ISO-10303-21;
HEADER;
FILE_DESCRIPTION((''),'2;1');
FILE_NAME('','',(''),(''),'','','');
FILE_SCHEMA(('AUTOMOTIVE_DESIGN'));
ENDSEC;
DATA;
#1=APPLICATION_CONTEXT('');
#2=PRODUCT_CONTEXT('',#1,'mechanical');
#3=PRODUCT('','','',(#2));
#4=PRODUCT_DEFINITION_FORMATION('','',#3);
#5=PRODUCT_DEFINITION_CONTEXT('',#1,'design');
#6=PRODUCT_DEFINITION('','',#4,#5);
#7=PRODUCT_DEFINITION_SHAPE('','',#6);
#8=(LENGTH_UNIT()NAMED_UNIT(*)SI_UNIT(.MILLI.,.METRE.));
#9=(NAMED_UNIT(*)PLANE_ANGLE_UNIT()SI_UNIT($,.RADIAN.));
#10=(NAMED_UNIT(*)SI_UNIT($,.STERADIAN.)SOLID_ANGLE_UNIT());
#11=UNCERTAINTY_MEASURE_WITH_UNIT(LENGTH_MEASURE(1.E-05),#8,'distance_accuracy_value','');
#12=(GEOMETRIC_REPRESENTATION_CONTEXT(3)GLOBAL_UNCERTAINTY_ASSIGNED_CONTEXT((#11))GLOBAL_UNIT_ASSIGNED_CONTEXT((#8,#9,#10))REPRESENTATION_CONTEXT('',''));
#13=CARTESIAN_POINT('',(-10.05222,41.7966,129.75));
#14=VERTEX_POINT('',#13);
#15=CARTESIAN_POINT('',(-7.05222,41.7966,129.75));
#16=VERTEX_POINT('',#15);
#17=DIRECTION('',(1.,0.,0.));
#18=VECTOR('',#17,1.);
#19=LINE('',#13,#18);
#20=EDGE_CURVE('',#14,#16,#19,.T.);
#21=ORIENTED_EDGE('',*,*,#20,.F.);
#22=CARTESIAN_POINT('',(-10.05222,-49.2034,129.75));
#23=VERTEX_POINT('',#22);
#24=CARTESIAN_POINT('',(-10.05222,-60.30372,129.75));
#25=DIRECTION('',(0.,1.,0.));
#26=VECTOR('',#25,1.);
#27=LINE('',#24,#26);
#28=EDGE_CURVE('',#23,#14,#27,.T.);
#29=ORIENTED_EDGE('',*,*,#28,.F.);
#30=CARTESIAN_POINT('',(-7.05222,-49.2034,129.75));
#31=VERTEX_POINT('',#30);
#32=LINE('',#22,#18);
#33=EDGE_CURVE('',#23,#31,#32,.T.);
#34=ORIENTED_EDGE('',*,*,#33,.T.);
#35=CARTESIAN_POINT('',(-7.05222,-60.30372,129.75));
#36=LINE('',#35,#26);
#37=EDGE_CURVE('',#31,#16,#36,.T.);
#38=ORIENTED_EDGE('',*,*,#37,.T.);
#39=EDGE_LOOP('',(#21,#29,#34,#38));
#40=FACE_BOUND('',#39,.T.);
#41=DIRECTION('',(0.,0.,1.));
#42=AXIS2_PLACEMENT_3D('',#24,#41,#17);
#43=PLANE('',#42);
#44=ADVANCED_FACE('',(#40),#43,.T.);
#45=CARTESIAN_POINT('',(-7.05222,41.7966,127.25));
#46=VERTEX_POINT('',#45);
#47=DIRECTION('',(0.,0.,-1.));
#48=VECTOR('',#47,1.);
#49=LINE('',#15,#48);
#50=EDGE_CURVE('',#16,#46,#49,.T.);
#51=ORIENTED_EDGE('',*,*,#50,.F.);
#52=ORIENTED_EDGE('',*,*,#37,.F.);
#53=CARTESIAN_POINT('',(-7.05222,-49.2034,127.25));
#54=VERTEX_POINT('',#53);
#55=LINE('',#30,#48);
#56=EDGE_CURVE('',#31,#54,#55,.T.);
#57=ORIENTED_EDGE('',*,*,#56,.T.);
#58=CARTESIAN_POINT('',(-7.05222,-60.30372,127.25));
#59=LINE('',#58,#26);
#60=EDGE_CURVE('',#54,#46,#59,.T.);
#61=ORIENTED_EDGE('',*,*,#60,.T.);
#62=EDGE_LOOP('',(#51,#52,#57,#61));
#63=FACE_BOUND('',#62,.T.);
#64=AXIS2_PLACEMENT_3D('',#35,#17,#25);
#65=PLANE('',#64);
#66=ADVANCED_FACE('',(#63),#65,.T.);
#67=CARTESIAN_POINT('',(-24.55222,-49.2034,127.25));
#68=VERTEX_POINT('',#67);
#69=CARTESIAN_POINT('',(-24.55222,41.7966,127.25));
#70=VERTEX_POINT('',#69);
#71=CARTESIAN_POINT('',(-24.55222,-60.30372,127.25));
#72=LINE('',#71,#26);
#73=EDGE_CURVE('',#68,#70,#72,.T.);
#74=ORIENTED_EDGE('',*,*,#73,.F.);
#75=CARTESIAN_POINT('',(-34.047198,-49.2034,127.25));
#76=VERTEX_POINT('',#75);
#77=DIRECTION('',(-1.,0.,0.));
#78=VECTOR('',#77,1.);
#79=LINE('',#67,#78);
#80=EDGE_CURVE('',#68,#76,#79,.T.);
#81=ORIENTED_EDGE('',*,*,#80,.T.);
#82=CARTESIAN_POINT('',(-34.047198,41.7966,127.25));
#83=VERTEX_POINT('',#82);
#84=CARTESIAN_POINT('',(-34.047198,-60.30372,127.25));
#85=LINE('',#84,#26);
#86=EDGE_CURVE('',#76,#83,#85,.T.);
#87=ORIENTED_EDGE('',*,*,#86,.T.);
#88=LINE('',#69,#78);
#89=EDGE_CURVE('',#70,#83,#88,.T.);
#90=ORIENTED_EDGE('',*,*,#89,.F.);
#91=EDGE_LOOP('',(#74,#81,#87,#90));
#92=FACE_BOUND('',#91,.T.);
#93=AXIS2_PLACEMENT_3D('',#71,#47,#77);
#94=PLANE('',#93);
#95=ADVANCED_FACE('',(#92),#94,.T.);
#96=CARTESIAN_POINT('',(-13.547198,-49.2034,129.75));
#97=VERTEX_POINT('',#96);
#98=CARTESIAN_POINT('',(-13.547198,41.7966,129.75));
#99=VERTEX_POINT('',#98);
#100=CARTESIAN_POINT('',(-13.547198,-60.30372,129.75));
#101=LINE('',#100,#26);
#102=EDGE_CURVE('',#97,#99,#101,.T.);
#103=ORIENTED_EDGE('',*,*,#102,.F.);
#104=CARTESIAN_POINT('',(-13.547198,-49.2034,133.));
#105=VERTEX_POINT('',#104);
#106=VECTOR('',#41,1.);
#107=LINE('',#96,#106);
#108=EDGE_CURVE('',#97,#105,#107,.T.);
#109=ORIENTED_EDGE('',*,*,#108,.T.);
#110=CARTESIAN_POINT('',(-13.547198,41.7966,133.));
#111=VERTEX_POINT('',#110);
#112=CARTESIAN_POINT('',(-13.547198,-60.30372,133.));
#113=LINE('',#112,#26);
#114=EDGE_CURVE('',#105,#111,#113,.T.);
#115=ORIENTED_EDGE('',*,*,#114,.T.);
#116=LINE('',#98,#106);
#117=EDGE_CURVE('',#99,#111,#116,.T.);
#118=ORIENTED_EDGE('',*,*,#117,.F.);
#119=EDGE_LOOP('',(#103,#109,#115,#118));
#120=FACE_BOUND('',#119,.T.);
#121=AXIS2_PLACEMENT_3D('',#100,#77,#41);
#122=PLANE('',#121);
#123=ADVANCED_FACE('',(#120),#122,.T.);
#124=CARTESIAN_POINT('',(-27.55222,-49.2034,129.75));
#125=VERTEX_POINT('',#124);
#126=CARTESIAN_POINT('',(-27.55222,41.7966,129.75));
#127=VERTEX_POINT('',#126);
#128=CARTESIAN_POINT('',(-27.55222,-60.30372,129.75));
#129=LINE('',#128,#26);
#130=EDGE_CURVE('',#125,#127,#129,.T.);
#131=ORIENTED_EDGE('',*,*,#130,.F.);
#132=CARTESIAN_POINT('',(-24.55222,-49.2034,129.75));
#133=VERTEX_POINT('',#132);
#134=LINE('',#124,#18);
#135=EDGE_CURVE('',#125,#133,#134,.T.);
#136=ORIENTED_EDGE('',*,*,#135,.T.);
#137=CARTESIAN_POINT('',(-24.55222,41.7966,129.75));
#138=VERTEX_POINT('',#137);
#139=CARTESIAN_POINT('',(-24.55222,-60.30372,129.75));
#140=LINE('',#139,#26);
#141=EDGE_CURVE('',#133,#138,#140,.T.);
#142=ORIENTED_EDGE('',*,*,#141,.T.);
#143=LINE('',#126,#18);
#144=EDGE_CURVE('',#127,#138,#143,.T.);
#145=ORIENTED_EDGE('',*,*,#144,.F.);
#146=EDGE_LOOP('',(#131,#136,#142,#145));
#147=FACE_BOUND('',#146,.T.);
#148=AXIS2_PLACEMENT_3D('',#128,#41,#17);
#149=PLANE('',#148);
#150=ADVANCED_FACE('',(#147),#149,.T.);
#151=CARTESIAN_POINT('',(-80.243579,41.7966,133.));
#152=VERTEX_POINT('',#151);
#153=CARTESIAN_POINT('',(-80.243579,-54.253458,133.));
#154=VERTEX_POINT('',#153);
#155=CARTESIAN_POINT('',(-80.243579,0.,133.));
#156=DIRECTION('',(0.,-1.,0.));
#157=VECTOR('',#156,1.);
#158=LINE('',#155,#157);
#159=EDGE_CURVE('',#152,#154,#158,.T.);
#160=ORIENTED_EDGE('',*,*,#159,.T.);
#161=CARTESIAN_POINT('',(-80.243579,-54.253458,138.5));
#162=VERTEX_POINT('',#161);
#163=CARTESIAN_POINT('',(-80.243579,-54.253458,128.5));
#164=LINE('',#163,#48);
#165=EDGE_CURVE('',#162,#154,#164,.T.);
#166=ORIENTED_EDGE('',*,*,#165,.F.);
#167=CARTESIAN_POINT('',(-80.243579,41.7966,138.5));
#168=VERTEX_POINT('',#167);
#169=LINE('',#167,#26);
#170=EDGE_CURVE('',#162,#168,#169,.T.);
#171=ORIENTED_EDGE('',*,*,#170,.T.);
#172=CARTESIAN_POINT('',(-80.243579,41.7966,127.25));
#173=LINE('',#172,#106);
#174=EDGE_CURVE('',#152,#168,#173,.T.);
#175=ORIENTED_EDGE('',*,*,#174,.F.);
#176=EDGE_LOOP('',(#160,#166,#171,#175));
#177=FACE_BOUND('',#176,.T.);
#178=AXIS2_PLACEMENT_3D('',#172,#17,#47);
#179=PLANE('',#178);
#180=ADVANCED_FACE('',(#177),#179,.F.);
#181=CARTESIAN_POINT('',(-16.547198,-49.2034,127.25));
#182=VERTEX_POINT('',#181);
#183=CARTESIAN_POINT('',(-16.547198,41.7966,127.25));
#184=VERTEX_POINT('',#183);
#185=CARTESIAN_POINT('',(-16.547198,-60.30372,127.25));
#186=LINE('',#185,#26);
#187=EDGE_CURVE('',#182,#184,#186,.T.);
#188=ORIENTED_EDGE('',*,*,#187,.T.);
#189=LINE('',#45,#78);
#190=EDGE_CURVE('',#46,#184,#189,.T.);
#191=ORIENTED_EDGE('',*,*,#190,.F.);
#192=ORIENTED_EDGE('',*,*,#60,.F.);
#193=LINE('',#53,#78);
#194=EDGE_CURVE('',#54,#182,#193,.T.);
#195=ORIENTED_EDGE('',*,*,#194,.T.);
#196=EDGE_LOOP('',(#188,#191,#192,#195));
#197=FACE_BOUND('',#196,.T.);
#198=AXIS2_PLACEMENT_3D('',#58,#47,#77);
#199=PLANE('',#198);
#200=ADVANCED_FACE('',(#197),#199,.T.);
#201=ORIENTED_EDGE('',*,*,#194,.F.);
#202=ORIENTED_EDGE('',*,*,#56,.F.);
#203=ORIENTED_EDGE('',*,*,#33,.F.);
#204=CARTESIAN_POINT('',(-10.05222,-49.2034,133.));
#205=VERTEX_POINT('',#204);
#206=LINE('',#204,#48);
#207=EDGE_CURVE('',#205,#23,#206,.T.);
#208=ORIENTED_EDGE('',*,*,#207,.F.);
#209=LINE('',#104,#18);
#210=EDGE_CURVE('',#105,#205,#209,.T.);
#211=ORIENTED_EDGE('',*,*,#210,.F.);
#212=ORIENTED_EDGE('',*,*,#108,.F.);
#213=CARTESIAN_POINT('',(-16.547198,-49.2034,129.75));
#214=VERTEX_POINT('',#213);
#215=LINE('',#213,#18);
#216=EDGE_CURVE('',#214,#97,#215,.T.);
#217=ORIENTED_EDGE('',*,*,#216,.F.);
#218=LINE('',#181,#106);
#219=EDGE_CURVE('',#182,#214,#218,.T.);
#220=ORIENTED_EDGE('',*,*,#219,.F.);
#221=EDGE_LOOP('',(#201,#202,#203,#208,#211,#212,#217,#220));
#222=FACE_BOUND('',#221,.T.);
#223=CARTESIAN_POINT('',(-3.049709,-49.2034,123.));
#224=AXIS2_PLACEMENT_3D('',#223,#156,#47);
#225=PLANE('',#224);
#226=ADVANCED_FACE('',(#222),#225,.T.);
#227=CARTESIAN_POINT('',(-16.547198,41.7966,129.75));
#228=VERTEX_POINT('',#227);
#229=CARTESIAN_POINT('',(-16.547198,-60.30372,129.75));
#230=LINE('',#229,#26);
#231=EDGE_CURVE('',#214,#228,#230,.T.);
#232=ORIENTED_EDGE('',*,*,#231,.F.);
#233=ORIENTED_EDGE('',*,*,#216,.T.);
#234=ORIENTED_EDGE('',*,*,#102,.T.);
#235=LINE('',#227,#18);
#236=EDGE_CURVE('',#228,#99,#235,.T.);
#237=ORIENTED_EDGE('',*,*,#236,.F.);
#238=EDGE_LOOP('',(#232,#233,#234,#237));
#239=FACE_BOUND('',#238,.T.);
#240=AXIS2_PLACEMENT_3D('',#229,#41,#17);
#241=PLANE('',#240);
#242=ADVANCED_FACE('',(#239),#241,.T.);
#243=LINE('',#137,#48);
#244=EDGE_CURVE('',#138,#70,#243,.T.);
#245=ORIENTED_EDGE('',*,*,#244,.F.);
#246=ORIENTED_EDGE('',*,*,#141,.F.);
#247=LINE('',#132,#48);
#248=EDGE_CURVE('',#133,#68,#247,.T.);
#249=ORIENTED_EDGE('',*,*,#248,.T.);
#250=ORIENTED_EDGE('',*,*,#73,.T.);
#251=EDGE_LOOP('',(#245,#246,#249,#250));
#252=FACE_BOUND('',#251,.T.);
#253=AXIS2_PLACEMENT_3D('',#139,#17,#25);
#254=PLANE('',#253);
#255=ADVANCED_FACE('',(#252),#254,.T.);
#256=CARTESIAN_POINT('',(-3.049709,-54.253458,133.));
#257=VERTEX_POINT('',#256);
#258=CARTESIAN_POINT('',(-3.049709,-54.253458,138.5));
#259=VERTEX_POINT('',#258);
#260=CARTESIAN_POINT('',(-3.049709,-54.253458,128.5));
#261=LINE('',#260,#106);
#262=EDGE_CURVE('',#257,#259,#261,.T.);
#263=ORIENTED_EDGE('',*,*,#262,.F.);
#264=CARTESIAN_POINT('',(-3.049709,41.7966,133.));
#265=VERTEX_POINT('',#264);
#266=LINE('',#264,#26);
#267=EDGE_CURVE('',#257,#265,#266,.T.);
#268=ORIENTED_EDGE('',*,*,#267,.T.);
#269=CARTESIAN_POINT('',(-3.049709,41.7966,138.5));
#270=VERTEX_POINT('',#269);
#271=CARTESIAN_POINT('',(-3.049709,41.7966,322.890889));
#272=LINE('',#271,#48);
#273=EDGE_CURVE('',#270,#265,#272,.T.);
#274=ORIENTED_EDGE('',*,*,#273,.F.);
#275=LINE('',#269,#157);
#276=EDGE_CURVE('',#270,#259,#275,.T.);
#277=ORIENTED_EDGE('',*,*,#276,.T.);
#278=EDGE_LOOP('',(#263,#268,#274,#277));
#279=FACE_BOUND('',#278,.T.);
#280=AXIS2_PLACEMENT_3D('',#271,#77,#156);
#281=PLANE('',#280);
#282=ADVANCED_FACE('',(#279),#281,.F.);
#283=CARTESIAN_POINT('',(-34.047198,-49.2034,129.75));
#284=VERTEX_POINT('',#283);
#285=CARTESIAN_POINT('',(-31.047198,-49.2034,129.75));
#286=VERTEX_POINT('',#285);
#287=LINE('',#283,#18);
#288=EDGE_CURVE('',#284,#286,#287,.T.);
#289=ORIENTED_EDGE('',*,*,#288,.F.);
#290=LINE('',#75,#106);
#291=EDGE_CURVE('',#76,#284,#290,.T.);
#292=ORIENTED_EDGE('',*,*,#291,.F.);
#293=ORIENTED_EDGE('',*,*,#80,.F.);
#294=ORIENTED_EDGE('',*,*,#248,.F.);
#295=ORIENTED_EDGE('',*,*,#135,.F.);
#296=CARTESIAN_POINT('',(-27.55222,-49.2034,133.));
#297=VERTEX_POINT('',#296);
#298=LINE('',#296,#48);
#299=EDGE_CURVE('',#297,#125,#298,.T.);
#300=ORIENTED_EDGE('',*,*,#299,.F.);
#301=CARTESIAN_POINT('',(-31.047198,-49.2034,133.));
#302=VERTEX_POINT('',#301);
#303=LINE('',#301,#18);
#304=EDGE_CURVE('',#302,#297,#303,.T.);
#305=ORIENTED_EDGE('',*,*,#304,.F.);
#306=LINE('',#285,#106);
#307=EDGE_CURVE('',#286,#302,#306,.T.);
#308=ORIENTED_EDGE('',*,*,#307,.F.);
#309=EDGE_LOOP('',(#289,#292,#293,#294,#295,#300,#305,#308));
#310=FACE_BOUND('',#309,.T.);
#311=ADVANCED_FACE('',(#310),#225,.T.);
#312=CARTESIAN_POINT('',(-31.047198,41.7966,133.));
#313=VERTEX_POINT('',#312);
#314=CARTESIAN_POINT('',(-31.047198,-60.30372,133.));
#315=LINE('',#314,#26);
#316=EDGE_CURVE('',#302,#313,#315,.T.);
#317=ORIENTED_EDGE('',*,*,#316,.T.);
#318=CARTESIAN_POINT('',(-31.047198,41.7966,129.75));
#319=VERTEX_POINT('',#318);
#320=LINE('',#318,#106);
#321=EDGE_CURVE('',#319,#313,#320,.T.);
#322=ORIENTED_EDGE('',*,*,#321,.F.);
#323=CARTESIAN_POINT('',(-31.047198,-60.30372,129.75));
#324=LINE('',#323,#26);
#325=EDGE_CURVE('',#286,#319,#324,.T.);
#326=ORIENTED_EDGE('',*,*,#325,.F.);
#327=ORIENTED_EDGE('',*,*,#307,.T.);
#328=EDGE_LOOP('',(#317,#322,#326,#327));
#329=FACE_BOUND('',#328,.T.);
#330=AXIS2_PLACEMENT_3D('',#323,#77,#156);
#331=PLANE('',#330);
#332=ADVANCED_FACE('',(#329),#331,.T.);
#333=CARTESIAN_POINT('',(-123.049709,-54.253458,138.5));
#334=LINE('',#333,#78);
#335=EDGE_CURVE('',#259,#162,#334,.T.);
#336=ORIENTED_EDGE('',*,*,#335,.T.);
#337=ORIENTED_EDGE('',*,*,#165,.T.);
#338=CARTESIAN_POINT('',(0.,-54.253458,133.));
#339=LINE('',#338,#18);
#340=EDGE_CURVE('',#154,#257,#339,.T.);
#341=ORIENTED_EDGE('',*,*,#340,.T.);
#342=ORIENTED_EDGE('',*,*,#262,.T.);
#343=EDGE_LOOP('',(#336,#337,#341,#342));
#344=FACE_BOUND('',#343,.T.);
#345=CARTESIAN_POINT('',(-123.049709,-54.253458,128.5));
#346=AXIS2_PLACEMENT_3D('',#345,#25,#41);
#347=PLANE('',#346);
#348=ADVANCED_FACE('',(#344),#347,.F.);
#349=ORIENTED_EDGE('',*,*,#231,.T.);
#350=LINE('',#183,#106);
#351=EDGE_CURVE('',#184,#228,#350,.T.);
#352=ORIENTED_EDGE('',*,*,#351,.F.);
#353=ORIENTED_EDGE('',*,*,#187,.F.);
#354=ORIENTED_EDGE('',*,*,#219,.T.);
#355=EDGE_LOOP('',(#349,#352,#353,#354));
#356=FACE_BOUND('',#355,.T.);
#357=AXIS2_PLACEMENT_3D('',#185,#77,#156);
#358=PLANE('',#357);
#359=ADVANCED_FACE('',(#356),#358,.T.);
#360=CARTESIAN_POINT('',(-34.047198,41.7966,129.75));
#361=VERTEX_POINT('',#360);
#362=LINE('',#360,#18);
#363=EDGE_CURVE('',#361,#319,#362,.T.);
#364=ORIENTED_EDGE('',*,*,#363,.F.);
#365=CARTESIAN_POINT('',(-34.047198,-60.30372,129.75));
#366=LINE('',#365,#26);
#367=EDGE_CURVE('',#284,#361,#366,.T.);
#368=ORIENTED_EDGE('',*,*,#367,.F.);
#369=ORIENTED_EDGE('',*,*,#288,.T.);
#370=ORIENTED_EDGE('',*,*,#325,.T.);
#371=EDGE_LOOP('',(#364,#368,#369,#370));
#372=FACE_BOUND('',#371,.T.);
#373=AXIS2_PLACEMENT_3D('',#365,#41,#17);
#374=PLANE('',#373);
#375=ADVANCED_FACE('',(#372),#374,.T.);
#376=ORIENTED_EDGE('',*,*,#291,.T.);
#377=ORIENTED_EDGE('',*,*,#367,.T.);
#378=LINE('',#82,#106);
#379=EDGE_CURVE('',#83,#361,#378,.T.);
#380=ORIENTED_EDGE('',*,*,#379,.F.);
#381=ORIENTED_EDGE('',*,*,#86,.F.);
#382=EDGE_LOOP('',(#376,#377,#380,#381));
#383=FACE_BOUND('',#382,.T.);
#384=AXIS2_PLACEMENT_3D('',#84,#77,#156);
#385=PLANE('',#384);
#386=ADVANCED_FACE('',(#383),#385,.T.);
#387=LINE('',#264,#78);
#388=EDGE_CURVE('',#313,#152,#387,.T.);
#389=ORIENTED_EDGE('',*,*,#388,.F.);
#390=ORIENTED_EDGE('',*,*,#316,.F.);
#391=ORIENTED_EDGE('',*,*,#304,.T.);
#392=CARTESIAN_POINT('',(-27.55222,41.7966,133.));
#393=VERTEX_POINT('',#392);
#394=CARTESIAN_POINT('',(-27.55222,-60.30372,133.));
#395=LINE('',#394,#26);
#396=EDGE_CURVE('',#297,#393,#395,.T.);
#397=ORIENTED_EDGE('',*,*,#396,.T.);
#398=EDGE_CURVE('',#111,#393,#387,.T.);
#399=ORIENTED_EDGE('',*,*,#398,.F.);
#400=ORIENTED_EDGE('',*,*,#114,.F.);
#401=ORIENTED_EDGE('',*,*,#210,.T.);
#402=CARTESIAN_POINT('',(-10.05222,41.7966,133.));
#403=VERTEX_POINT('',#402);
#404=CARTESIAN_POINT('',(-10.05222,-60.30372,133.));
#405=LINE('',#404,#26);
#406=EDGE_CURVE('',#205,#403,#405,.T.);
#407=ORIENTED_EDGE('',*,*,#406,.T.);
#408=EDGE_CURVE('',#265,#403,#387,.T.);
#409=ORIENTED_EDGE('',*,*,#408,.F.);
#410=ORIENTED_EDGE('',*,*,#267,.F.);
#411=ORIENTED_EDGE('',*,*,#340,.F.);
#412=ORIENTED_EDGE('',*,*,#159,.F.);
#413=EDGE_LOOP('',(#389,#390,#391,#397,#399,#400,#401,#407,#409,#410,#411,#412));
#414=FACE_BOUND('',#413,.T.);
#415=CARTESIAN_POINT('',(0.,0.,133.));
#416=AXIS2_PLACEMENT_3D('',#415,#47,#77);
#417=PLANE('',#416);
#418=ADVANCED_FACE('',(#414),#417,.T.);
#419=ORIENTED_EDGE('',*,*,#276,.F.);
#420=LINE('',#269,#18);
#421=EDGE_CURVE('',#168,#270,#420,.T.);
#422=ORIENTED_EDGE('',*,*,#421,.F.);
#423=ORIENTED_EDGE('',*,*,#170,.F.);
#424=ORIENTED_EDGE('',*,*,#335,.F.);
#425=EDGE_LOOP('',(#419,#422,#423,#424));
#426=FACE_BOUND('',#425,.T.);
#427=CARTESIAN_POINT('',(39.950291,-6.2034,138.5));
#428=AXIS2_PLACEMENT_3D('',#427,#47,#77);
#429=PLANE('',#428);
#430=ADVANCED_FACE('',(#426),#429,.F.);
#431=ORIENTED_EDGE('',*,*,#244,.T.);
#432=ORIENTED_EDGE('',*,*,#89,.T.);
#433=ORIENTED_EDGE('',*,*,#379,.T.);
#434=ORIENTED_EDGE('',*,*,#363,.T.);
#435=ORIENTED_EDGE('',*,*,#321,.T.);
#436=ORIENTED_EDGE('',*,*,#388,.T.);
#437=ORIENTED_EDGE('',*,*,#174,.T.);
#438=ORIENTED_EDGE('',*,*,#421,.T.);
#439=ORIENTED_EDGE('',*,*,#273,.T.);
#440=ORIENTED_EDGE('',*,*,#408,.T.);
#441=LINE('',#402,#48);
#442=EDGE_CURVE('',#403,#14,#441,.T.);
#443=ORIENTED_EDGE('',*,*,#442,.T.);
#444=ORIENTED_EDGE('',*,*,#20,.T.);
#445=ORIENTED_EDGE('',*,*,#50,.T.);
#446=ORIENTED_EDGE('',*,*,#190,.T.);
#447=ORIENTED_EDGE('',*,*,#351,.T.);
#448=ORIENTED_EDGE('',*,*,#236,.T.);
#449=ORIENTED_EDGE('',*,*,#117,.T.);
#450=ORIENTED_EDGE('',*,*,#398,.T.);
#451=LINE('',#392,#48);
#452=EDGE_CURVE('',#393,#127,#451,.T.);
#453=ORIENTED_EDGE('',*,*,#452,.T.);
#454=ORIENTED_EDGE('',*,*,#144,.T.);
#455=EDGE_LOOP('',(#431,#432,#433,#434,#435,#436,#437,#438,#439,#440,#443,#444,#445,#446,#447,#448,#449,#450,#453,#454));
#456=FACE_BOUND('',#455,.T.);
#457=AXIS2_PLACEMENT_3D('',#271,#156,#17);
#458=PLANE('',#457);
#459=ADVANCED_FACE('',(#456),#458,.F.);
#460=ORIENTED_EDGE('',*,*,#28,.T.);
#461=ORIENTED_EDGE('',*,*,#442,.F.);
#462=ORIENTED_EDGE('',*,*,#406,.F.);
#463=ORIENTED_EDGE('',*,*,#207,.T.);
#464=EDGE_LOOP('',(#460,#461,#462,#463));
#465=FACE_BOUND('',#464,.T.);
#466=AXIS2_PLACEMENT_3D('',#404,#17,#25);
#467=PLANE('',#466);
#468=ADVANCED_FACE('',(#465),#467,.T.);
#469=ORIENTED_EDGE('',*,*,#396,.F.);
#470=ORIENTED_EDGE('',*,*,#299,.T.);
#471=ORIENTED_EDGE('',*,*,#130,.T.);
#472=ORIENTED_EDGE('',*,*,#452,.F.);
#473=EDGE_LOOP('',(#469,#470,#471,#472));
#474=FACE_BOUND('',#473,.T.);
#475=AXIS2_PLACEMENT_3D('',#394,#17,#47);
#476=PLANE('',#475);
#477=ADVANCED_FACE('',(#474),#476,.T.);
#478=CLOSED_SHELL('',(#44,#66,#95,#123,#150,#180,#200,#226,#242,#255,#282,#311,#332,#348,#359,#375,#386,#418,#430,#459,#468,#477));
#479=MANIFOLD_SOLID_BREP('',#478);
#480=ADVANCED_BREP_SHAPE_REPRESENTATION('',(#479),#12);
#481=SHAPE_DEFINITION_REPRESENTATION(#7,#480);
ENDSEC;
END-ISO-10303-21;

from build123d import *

# Parameters (mm, degrees)
SKETCH_1_W          = 120
SKETCH_1_H          = 140
EXTRUDE_1_DEPTH     = 5.5
EXTRUDE_13_DEPTH    = 91
SKETCH_26_W         = 120
SKETCH_26_H         = 43.949941981
CUT_EXTRUDE_1_DEPTH = 10
SKETCH_27_W         = 42.806130355
SKETCH_27_H         = 96.050058019
CUT_EXTRUDE_2_DEPTH = 12.25


with BuildPart() as part:
    # 草图1 → 凸台-拉伸1 (new body)
    with BuildSketch(Plane.XY.offset(133)):
        with Locations((-63.049709027, -28.203400415)):
            Rectangle(SKETCH_1_W, SKETCH_1_H)
    extrude(amount=EXTRUDE_1_DEPTH)

    # 草图25 → 凸台-拉伸13 (add)
    with BuildSketch(Plane(origin=(0, 41.796599585, 0), x_dir=(1, 0, 0), z_dir=(0, 1, 0))):
        Polygon((-10.052220086, -133), (-10.052220086, -129.75), (-7.052220086, -129.75), (-7.052220086, -127.25), (-16.547197967, -127.25), (-16.547197967, -129.75), (-13.547197967, -129.75), (-13.547197967, -133), align=None)
        Polygon((-27.552220086, -133), (-27.552220086, -129.75), (-24.552220086, -129.75), (-24.552220086, -127.25), (-34.047197967, -127.25), (-34.047197967, -129.75), (-31.047197967, -129.75), (-31.047197967, -133), align=None)
    extrude(amount=-EXTRUDE_13_DEPTH)

    # 草图26 → 切除-拉伸1 (cut)
    with BuildSketch(Plane.XY.offset(138.5)):
        with Locations((-63.049709027, -76.228429425)):
            Rectangle(SKETCH_26_W, SKETCH_26_H)
    extrude(amount=-CUT_EXTRUDE_1_DEPTH, mode=Mode.SUBTRACT)

    # 草图27 → 切除-拉伸2 (cut, through all)
    with BuildSketch(Plane.XY.offset(138.5)):
        with Locations((-101.64664385, -6.228429424)):
            Rectangle(SKETCH_27_W, SKETCH_27_H)
    extrude(amount=-CUT_EXTRUDE_2_DEPTH, mode=Mode.SUBTRACT)


solid = part.part
